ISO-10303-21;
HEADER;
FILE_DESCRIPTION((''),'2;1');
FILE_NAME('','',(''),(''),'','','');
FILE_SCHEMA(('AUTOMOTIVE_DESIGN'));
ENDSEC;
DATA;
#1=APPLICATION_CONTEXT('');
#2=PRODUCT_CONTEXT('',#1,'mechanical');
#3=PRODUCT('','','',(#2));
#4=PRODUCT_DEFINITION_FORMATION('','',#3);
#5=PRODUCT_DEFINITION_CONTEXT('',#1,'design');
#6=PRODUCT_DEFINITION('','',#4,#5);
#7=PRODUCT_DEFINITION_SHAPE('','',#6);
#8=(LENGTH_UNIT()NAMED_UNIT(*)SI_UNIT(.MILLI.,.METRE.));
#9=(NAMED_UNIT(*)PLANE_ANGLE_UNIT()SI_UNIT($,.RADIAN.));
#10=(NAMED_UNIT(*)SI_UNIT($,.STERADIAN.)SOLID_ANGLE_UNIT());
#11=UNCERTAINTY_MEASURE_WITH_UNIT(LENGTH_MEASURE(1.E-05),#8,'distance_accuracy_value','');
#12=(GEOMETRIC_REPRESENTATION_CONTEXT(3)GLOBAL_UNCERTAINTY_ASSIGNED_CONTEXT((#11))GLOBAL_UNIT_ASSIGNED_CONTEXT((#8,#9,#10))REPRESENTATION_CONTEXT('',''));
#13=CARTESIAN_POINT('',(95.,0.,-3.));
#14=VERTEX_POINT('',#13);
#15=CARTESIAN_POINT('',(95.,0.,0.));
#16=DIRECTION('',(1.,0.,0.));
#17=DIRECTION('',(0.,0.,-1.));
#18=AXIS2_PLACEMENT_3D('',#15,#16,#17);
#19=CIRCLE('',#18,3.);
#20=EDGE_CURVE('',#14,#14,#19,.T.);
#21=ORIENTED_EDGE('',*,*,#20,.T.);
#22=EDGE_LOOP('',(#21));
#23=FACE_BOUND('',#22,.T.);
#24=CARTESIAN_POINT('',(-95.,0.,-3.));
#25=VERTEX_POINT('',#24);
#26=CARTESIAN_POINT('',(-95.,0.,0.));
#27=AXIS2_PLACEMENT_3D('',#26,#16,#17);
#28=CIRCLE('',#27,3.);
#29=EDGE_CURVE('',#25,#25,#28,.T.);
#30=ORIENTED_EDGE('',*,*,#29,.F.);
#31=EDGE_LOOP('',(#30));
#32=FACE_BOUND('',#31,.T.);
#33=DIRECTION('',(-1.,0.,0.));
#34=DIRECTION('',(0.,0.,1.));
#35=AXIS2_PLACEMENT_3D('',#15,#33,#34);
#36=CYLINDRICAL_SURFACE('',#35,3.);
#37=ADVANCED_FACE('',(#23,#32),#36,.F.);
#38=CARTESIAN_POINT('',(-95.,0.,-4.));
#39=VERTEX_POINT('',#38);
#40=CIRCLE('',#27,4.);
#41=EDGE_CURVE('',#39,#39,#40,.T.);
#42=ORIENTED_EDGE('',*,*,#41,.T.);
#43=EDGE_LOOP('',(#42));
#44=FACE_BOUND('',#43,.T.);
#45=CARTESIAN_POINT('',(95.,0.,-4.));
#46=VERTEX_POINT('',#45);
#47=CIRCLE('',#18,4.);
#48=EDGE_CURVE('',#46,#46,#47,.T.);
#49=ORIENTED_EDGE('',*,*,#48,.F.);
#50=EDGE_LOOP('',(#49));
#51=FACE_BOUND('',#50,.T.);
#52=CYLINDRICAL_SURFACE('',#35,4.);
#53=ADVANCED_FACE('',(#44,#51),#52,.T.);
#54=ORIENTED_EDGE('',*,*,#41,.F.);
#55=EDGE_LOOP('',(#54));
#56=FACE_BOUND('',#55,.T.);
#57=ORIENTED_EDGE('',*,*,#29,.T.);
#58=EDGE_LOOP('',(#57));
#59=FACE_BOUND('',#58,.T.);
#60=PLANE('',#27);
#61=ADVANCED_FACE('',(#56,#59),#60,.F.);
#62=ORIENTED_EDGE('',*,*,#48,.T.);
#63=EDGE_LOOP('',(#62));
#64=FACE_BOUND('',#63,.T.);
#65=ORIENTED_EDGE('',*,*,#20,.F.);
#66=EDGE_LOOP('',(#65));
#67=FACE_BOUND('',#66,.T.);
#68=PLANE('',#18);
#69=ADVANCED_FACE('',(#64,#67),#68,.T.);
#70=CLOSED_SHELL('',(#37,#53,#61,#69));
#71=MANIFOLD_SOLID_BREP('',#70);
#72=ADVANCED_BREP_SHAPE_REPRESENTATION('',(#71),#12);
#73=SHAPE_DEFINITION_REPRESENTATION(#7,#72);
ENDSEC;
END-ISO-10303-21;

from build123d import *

# Parameters (mm, degrees)
SKETCH1_R           = 4
SKETCH1_R_2         = 3
BOSS_EXTRUDE1_DEPTH = 95


with BuildPart() as part:
    # Sketch1 → Boss-Extrude1 (new body, symmetric)
    with BuildSketch(Plane(origin=(0, 0, 0), x_dir=(0, 0, -1), z_dir=(1, 0, 0))):
        Circle(SKETCH1_R)
        Circle(SKETCH1_R_2, mode=Mode.SUBTRACT)
    extrude(amount=BOSS_EXTRUDE1_DEPTH, both=True)


solid = part.part
